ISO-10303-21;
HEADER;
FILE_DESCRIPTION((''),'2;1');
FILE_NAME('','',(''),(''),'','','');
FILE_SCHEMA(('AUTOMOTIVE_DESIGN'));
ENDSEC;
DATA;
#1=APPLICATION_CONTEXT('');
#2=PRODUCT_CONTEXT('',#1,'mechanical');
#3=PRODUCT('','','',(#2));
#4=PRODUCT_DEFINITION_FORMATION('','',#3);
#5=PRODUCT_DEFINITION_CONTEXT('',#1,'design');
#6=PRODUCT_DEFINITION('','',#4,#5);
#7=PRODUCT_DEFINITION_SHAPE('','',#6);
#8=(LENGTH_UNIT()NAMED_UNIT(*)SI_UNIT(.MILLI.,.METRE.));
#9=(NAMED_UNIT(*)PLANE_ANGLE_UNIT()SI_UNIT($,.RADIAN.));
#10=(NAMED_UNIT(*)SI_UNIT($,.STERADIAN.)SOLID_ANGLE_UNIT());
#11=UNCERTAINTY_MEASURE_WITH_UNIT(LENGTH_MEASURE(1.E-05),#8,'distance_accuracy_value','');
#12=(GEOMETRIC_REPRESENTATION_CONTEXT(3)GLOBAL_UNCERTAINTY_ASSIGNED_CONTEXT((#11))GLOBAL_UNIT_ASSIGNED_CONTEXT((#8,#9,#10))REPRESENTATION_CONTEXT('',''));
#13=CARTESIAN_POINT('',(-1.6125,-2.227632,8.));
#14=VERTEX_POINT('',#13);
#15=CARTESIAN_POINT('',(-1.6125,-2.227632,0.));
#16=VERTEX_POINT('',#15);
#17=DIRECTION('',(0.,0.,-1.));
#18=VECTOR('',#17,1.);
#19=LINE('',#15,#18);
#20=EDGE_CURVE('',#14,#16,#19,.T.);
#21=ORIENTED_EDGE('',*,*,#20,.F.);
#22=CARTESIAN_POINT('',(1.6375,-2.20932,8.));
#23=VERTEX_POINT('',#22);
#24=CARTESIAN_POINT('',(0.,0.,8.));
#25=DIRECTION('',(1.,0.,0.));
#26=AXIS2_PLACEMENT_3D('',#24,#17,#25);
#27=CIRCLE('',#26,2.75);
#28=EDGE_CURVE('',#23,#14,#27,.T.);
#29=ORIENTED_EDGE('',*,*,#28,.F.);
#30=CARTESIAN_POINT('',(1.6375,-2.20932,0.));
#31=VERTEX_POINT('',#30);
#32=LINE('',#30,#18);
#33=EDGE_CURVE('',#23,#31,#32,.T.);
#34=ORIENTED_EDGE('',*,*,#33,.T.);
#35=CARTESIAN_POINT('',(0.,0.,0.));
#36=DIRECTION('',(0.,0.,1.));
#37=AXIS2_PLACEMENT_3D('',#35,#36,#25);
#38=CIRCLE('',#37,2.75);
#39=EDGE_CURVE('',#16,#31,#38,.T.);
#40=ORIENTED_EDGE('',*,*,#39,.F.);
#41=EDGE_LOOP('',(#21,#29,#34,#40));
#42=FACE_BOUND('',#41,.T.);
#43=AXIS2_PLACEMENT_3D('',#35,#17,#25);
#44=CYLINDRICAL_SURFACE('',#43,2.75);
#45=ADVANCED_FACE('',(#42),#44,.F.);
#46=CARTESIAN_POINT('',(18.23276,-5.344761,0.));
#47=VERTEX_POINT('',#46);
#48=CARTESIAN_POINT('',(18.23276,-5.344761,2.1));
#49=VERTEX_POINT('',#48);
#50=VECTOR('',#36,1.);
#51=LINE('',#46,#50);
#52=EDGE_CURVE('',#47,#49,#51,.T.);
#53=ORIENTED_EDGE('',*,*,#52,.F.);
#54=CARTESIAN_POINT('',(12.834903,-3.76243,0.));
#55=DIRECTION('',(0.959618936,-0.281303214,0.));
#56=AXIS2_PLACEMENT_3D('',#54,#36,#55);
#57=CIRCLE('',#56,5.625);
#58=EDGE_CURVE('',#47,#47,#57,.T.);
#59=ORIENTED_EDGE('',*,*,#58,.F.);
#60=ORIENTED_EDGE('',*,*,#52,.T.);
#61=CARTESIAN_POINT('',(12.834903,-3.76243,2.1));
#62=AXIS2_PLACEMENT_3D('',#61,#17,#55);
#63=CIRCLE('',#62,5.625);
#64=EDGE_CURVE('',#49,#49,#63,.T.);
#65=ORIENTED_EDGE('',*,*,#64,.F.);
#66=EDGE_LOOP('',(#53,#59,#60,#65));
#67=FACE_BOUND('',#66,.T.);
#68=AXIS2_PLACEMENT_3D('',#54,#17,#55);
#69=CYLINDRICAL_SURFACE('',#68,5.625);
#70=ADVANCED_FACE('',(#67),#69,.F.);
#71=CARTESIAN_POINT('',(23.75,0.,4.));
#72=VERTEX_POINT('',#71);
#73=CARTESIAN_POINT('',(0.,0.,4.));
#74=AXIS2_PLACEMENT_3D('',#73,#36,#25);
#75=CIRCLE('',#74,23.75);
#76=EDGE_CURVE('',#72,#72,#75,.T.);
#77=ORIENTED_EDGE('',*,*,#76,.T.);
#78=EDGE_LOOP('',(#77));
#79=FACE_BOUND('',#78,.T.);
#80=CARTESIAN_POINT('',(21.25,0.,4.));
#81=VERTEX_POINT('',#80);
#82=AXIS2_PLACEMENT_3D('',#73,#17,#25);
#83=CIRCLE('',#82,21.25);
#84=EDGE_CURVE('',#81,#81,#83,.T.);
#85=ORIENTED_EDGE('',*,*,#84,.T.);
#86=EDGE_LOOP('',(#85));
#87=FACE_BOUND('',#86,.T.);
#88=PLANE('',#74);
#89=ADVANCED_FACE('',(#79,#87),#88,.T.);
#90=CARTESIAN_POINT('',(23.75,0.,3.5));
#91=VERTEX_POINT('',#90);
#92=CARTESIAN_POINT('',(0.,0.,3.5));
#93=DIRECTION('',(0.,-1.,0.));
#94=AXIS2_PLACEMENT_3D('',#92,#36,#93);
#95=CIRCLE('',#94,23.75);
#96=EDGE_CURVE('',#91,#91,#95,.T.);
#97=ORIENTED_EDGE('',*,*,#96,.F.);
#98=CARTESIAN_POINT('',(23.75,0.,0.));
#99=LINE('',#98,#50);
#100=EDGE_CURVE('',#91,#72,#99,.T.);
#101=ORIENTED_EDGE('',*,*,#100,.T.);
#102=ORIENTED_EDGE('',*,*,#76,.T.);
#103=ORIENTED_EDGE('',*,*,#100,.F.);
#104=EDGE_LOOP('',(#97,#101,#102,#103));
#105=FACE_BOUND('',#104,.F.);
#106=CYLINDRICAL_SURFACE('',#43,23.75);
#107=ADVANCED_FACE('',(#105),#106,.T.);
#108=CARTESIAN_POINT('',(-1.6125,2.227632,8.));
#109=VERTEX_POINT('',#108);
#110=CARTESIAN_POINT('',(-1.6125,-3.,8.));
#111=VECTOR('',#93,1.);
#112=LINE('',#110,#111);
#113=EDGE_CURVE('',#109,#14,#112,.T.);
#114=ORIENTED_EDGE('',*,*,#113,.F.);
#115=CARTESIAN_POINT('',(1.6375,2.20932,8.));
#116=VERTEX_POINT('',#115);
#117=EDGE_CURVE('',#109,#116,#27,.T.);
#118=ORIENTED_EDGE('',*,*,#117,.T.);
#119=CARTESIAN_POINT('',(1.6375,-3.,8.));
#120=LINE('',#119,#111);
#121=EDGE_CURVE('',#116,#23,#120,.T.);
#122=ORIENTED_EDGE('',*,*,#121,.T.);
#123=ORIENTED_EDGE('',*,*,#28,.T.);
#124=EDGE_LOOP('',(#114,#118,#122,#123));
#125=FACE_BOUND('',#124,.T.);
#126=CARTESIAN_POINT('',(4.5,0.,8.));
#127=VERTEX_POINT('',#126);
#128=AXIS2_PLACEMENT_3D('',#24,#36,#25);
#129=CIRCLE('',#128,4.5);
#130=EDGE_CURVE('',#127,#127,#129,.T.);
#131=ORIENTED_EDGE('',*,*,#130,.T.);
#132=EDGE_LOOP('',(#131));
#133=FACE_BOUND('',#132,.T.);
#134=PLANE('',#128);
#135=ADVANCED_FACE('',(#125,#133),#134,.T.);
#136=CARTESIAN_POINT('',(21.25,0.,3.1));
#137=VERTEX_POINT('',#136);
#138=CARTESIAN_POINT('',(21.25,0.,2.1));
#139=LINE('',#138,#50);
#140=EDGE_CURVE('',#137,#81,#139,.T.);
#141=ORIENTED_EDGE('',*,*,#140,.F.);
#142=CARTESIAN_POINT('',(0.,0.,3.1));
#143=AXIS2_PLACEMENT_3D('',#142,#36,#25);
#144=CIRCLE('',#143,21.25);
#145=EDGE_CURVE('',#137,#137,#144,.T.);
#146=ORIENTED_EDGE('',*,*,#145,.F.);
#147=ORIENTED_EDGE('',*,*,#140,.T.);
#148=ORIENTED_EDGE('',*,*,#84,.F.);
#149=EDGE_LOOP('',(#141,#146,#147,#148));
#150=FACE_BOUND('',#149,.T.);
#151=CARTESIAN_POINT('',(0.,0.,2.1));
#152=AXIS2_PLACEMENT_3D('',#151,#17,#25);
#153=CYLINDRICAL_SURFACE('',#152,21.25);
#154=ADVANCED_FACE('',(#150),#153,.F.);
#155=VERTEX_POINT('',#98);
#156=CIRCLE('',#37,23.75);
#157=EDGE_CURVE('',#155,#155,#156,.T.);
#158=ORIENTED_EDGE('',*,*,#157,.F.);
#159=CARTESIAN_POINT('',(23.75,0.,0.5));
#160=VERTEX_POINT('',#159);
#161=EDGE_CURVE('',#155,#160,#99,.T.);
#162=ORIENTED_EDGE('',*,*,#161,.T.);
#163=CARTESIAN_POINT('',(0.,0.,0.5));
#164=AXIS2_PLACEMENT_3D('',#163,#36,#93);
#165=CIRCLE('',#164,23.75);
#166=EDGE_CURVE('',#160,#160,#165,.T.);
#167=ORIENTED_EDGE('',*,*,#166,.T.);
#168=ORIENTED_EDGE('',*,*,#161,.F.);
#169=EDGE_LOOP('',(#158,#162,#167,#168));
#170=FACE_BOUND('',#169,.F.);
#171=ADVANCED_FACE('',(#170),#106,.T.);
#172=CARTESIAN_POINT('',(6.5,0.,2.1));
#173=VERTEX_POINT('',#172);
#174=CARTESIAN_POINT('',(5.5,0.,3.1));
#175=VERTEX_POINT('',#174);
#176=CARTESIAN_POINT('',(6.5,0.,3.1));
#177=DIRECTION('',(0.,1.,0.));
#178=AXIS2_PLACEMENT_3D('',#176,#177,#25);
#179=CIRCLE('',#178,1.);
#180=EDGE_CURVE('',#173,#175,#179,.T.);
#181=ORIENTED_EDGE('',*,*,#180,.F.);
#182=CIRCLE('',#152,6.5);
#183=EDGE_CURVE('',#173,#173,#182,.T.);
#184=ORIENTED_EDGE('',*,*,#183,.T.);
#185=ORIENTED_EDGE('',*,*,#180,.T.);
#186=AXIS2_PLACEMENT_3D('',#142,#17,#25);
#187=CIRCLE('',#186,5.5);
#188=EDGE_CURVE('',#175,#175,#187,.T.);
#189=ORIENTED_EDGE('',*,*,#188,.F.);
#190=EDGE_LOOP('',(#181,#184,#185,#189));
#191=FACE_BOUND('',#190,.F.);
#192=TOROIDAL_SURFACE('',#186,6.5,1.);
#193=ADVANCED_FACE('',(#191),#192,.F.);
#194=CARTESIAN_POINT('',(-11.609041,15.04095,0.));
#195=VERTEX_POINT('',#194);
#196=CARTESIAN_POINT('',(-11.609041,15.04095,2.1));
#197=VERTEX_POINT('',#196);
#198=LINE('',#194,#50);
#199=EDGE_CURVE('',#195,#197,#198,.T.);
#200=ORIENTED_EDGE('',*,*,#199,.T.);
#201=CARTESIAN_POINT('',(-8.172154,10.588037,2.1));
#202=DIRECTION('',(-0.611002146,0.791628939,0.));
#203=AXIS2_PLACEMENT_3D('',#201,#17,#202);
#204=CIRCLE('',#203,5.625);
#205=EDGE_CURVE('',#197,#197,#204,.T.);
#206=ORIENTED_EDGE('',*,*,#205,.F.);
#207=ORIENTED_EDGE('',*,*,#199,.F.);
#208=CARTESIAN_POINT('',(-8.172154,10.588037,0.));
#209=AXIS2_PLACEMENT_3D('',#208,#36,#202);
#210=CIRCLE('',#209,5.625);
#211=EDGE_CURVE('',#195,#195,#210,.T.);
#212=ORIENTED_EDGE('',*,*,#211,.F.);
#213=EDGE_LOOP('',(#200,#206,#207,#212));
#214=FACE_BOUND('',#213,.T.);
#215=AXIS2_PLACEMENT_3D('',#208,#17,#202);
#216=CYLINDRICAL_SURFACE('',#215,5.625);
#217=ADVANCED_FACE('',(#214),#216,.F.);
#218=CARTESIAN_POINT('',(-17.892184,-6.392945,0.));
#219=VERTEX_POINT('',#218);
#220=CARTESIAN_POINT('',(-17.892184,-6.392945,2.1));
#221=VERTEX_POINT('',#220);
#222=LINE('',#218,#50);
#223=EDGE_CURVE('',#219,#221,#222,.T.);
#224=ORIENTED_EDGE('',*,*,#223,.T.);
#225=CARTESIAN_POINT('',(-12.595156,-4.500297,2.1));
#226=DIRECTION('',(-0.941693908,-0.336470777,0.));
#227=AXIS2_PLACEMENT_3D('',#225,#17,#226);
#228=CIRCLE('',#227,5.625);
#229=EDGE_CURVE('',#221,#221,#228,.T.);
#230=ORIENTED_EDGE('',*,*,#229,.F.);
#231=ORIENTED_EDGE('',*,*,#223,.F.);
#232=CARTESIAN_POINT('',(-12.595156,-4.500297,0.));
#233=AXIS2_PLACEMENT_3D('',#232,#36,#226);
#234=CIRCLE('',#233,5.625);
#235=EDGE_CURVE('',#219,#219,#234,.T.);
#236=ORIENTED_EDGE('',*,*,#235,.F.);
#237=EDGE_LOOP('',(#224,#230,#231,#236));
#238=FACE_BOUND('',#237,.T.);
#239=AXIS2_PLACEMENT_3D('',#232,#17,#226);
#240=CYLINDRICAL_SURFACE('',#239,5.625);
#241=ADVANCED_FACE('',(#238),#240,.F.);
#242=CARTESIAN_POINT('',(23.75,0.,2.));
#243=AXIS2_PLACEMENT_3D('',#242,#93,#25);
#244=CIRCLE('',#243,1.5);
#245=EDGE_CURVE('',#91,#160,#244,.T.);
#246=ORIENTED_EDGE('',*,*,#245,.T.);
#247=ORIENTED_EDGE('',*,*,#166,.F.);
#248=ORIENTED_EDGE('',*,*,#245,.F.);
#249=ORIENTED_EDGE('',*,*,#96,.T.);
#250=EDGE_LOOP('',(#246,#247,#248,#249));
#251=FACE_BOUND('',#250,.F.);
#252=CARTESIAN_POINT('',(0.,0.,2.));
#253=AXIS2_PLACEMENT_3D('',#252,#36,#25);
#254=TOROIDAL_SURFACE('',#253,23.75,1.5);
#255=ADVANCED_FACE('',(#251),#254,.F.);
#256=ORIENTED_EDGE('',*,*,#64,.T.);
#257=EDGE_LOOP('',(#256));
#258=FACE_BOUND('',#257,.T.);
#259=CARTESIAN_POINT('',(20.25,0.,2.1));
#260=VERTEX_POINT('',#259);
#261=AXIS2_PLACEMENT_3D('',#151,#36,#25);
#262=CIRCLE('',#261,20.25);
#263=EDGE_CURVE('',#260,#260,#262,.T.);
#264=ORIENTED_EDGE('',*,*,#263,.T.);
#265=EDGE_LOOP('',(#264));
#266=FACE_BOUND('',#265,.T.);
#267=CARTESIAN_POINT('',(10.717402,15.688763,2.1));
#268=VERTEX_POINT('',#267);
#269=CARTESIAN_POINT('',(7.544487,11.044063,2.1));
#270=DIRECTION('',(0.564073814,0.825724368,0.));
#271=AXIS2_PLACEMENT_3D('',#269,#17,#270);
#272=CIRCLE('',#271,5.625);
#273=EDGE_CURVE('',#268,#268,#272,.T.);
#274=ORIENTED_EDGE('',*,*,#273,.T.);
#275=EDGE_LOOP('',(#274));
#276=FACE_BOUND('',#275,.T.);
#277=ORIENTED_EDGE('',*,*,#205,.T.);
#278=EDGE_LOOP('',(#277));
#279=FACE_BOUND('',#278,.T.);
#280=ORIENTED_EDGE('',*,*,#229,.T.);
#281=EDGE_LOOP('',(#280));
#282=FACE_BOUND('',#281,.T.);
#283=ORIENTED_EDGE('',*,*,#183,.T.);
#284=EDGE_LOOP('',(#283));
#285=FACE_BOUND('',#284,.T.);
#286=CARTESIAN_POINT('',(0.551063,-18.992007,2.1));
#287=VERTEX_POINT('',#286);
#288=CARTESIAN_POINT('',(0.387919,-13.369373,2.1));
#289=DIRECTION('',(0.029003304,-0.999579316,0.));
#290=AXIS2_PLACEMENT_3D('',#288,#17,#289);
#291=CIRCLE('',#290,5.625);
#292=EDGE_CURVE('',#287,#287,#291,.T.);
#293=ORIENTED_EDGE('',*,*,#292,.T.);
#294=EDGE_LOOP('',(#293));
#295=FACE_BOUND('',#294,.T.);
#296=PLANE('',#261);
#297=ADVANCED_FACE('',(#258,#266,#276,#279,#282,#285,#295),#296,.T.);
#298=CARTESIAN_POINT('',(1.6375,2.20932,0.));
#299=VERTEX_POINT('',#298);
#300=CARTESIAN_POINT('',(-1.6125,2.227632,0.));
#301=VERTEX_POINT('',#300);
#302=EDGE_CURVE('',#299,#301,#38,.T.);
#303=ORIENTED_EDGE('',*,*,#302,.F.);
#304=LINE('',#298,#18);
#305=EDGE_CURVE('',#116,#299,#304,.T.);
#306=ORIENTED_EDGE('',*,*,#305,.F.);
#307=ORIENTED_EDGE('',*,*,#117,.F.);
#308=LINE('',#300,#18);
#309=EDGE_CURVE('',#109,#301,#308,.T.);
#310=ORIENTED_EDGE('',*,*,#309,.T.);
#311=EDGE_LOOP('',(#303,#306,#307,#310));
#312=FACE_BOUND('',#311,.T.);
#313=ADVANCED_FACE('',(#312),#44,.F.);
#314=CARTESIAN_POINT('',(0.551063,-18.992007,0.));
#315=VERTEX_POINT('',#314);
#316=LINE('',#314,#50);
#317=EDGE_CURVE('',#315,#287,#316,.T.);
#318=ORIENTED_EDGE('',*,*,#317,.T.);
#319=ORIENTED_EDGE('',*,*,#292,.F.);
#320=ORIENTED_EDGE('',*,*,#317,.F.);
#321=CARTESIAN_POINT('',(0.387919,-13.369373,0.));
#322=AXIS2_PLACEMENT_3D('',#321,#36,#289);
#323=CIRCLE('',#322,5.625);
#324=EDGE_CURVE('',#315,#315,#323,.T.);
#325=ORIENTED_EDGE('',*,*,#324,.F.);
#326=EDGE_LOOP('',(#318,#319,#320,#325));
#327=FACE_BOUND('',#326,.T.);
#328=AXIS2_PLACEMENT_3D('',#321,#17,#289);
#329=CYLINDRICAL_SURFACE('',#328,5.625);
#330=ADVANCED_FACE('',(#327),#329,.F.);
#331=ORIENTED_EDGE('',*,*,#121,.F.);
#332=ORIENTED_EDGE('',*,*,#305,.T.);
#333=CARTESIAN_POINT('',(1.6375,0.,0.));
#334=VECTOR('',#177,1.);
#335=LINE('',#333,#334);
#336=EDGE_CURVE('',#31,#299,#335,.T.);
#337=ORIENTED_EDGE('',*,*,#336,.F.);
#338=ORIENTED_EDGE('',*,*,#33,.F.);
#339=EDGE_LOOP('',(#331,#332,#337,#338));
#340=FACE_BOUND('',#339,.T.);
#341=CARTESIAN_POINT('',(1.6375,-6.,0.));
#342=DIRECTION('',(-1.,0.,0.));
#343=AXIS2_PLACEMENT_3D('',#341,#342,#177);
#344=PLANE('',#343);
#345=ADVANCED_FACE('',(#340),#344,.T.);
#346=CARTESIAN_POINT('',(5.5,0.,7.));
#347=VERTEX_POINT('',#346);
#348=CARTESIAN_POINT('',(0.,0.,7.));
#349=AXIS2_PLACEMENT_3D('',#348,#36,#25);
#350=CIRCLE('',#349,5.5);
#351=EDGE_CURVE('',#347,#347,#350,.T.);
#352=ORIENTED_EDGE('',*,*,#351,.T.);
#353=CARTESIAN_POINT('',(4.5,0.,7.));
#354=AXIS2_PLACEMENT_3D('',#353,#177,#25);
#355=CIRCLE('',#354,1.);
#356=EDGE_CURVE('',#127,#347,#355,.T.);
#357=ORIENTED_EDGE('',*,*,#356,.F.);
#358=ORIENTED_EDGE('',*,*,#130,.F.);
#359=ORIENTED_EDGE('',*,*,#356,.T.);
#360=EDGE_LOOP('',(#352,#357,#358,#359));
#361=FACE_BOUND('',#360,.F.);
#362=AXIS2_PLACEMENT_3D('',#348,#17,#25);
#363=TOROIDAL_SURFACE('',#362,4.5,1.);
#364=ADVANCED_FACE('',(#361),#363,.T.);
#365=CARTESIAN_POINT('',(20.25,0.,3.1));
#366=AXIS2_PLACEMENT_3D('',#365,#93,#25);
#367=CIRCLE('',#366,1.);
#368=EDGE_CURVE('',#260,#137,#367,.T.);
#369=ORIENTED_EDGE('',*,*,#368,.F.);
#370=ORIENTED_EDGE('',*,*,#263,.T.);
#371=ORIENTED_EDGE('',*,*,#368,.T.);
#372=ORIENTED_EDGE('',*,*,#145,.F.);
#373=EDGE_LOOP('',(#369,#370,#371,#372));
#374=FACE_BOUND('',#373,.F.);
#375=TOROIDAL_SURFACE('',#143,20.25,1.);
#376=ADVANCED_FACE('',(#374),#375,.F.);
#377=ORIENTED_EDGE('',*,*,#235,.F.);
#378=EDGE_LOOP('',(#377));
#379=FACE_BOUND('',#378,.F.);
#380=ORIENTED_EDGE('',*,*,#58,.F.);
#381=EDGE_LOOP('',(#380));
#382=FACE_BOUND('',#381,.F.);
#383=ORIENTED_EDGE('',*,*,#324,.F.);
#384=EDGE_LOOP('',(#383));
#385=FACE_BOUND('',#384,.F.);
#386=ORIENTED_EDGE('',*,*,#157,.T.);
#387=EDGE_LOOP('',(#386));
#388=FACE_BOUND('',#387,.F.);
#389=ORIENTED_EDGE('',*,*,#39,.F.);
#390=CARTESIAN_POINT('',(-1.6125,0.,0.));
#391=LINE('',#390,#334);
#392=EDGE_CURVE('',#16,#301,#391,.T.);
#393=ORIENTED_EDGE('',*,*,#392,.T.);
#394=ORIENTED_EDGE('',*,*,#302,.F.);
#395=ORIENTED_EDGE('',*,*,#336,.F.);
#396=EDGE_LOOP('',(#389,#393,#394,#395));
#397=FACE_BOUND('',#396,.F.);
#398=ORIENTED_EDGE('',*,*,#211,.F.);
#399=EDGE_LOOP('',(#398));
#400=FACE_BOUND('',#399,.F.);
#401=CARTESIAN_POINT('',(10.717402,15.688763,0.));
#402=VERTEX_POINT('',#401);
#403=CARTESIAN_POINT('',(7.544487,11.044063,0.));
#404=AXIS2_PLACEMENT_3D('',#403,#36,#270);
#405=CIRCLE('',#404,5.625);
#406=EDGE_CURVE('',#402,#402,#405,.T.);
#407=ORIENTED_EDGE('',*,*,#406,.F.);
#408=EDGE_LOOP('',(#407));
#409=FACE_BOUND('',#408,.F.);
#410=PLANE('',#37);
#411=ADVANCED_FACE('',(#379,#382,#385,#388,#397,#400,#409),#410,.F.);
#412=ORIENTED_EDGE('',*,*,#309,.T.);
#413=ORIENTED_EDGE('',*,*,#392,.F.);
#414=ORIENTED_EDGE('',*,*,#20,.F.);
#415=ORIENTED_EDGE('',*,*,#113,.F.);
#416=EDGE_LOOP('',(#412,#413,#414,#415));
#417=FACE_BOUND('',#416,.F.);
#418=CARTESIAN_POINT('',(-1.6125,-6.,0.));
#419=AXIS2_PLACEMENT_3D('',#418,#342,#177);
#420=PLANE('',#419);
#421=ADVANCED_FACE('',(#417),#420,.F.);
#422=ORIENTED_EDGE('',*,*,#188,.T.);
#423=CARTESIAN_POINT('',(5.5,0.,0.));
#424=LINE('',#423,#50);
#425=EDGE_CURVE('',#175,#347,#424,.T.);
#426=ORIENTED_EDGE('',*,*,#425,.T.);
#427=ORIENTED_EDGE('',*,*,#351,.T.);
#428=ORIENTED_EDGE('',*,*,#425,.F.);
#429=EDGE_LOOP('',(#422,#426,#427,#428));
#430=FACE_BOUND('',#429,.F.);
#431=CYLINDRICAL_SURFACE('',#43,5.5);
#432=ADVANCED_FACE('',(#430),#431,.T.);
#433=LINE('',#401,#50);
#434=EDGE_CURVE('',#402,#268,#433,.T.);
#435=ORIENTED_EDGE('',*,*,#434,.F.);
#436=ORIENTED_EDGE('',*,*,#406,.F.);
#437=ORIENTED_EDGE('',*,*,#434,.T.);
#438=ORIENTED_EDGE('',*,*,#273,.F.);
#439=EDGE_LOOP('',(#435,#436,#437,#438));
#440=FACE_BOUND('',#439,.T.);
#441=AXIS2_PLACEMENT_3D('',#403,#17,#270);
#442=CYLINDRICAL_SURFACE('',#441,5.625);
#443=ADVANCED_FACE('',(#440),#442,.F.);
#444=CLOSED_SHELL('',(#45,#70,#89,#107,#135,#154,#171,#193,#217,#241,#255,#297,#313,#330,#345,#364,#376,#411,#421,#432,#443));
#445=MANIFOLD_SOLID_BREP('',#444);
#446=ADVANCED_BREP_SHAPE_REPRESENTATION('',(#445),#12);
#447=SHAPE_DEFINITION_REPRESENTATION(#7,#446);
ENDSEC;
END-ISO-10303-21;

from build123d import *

# Parameters (mm, degrees)
CYLINDER004_R           = 5.625
CYLINDER004_DEPTH       = 20
ARRAY_COUNT             = 5
ARRAY_PLACEMENT_ANGLE   = 127.662
CYLINDER003_R           = 1.5
CYLINDER003_DEPTH       = 20
CYLINDER003_PITCH_ANGLE = 90
CYLINDER002_R           = 2.75
CYLINDER002_DEPTH       = 12
BOX_W                   = 3.25
BOX_H                   = 12
BOX_DEPTH               = 12
CYLINDER005_R           = 21.25
CYLINDER005_DEPTH       = 10
TORUS_R                 = 1.5
CYLINDER_R              = 23.75
CYLINDER_DEPTH          = 4
CYLINDER001_R           = 5.5
CYLINDER001_DEPTH       = 8
FILLET_R                = 1


with BuildPart() as array:
    # Cylinder004 → Cylinder004 (new body)
    with BuildSketch(Plane(origin=(13.375, 0, 0), x_dir=(1, 0, 0), z_dir=(0, 0, 1))):
        Circle(CYLINDER004_R)
    extrude(amount=CYLINDER004_DEPTH)

    # Array: Array ×5 about axis
    array_axis = Axis((0, 0, 0), (0, 0, 1))


with BuildPart() as array_1:
    add(array.part)
    for i in range(1, ARRAY_COUNT):
        add(array.part.rotate(array_axis, i * 360 / ARRAY_COUNT))


with BuildPart() as array_2:
    # Array placement: moved
    add(array_1.part.rotate(Axis((0, 0, 0), (0, 0, 1)), ARRAY_PLACEMENT_ANGLE))


with BuildPart() as setscrew:
    # Cylinder003 → Cylinder003 (new body)
    with BuildSketch(Plane.XY):
        Circle(CYLINDER003_R)
    extrude(amount=CYLINDER003_DEPTH)


with BuildPart() as setscrew_1:
    # Cylinder003 pitch: moved
    add(setscrew.part.rotate(Axis((0, 0, 0), (0, 1, 0)), CYLINDER003_PITCH_ANGLE))


with BuildPart() as setscrew_2:
    # Cylinder003 placement: moved
    add(setscrew_1.part.moved(Location((-10, 0, 15))))


with BuildPart() as cylinder001:
    # Cylinder002 → Cylinder002 (new body)
    with BuildSketch(Plane.XY):
        Circle(CYLINDER002_R)
    extrude(amount=CYLINDER002_DEPTH)


with BuildPart() as shaft:
    # Box → Box (new body)
    with BuildSketch(Plane(origin=(-1.6125, -6, 0), x_dir=(1, 0, 0), z_dir=(0, 0, 1))):
        with Locations((1.625, 6)):
            Rectangle(BOX_W, BOX_H)
    extrude(amount=BOX_DEPTH)

    # Common: intersect Cylinder001
    add(cylinder001.part, mode=Mode.INTERSECT)


with BuildPart() as cylinder002:
    # Cylinder005 → Cylinder005 (new body)
    with BuildSketch(Plane.XY.offset(2.1)):
        Circle(CYLINDER005_R)
    extrude(amount=CYLINDER005_DEPTH)


with BuildPart() as torus:
    # Torus → Torus (revolve)
    with BuildSketch(Plane(origin=(0, 0, 2), x_dir=(1, 0, 0), z_dir=(0, -1, 0))):
        with Locations((23.75, 0)):
            Circle(TORUS_R)
    revolve(axis=Axis((0, 0, 2), (0, 0, 1)))


with BuildPart() as cut002:
    # Cylinder → Cylinder (new body)
    with BuildSketch(Plane.XY):
        Circle(CYLINDER_R)
    extrude(amount=CYLINDER_DEPTH)

    # Cut: cut Torus
    add(torus.part, mode=Mode.SUBTRACT)

    # Cut002: cut Cylinder002
    add(cylinder002.part, mode=Mode.SUBTRACT)


with BuildPart() as fillet_body:
    # Cylinder001 → Cylinder001 (new body)
    with BuildSketch(Plane.XY):
        Circle(CYLINDER001_R)
    extrude(amount=CYLINDER001_DEPTH)

    # Fusion: union Cut002
    add(cut002.part)

    # Cut003: cut shaft
    add(shaft.part, mode=Mode.SUBTRACT)

    # Cut004: cut setscrew
    add(setscrew_2.part, mode=Mode.SUBTRACT)

    # Cut005: cut Array
    add(array_2.part, mode=Mode.SUBTRACT)

    # Fillet
    fillet_edges = [fillet_body.edges().sort_by_distance(p)[0] for p in [
        (-21.25, 0, 2.1),
        (-5.5, 0, 2.1),
        (-5.5, 0, 8),
    ]]
    fillet(fillet_edges, radius=FILLET_R)


solid = fillet_body.part
